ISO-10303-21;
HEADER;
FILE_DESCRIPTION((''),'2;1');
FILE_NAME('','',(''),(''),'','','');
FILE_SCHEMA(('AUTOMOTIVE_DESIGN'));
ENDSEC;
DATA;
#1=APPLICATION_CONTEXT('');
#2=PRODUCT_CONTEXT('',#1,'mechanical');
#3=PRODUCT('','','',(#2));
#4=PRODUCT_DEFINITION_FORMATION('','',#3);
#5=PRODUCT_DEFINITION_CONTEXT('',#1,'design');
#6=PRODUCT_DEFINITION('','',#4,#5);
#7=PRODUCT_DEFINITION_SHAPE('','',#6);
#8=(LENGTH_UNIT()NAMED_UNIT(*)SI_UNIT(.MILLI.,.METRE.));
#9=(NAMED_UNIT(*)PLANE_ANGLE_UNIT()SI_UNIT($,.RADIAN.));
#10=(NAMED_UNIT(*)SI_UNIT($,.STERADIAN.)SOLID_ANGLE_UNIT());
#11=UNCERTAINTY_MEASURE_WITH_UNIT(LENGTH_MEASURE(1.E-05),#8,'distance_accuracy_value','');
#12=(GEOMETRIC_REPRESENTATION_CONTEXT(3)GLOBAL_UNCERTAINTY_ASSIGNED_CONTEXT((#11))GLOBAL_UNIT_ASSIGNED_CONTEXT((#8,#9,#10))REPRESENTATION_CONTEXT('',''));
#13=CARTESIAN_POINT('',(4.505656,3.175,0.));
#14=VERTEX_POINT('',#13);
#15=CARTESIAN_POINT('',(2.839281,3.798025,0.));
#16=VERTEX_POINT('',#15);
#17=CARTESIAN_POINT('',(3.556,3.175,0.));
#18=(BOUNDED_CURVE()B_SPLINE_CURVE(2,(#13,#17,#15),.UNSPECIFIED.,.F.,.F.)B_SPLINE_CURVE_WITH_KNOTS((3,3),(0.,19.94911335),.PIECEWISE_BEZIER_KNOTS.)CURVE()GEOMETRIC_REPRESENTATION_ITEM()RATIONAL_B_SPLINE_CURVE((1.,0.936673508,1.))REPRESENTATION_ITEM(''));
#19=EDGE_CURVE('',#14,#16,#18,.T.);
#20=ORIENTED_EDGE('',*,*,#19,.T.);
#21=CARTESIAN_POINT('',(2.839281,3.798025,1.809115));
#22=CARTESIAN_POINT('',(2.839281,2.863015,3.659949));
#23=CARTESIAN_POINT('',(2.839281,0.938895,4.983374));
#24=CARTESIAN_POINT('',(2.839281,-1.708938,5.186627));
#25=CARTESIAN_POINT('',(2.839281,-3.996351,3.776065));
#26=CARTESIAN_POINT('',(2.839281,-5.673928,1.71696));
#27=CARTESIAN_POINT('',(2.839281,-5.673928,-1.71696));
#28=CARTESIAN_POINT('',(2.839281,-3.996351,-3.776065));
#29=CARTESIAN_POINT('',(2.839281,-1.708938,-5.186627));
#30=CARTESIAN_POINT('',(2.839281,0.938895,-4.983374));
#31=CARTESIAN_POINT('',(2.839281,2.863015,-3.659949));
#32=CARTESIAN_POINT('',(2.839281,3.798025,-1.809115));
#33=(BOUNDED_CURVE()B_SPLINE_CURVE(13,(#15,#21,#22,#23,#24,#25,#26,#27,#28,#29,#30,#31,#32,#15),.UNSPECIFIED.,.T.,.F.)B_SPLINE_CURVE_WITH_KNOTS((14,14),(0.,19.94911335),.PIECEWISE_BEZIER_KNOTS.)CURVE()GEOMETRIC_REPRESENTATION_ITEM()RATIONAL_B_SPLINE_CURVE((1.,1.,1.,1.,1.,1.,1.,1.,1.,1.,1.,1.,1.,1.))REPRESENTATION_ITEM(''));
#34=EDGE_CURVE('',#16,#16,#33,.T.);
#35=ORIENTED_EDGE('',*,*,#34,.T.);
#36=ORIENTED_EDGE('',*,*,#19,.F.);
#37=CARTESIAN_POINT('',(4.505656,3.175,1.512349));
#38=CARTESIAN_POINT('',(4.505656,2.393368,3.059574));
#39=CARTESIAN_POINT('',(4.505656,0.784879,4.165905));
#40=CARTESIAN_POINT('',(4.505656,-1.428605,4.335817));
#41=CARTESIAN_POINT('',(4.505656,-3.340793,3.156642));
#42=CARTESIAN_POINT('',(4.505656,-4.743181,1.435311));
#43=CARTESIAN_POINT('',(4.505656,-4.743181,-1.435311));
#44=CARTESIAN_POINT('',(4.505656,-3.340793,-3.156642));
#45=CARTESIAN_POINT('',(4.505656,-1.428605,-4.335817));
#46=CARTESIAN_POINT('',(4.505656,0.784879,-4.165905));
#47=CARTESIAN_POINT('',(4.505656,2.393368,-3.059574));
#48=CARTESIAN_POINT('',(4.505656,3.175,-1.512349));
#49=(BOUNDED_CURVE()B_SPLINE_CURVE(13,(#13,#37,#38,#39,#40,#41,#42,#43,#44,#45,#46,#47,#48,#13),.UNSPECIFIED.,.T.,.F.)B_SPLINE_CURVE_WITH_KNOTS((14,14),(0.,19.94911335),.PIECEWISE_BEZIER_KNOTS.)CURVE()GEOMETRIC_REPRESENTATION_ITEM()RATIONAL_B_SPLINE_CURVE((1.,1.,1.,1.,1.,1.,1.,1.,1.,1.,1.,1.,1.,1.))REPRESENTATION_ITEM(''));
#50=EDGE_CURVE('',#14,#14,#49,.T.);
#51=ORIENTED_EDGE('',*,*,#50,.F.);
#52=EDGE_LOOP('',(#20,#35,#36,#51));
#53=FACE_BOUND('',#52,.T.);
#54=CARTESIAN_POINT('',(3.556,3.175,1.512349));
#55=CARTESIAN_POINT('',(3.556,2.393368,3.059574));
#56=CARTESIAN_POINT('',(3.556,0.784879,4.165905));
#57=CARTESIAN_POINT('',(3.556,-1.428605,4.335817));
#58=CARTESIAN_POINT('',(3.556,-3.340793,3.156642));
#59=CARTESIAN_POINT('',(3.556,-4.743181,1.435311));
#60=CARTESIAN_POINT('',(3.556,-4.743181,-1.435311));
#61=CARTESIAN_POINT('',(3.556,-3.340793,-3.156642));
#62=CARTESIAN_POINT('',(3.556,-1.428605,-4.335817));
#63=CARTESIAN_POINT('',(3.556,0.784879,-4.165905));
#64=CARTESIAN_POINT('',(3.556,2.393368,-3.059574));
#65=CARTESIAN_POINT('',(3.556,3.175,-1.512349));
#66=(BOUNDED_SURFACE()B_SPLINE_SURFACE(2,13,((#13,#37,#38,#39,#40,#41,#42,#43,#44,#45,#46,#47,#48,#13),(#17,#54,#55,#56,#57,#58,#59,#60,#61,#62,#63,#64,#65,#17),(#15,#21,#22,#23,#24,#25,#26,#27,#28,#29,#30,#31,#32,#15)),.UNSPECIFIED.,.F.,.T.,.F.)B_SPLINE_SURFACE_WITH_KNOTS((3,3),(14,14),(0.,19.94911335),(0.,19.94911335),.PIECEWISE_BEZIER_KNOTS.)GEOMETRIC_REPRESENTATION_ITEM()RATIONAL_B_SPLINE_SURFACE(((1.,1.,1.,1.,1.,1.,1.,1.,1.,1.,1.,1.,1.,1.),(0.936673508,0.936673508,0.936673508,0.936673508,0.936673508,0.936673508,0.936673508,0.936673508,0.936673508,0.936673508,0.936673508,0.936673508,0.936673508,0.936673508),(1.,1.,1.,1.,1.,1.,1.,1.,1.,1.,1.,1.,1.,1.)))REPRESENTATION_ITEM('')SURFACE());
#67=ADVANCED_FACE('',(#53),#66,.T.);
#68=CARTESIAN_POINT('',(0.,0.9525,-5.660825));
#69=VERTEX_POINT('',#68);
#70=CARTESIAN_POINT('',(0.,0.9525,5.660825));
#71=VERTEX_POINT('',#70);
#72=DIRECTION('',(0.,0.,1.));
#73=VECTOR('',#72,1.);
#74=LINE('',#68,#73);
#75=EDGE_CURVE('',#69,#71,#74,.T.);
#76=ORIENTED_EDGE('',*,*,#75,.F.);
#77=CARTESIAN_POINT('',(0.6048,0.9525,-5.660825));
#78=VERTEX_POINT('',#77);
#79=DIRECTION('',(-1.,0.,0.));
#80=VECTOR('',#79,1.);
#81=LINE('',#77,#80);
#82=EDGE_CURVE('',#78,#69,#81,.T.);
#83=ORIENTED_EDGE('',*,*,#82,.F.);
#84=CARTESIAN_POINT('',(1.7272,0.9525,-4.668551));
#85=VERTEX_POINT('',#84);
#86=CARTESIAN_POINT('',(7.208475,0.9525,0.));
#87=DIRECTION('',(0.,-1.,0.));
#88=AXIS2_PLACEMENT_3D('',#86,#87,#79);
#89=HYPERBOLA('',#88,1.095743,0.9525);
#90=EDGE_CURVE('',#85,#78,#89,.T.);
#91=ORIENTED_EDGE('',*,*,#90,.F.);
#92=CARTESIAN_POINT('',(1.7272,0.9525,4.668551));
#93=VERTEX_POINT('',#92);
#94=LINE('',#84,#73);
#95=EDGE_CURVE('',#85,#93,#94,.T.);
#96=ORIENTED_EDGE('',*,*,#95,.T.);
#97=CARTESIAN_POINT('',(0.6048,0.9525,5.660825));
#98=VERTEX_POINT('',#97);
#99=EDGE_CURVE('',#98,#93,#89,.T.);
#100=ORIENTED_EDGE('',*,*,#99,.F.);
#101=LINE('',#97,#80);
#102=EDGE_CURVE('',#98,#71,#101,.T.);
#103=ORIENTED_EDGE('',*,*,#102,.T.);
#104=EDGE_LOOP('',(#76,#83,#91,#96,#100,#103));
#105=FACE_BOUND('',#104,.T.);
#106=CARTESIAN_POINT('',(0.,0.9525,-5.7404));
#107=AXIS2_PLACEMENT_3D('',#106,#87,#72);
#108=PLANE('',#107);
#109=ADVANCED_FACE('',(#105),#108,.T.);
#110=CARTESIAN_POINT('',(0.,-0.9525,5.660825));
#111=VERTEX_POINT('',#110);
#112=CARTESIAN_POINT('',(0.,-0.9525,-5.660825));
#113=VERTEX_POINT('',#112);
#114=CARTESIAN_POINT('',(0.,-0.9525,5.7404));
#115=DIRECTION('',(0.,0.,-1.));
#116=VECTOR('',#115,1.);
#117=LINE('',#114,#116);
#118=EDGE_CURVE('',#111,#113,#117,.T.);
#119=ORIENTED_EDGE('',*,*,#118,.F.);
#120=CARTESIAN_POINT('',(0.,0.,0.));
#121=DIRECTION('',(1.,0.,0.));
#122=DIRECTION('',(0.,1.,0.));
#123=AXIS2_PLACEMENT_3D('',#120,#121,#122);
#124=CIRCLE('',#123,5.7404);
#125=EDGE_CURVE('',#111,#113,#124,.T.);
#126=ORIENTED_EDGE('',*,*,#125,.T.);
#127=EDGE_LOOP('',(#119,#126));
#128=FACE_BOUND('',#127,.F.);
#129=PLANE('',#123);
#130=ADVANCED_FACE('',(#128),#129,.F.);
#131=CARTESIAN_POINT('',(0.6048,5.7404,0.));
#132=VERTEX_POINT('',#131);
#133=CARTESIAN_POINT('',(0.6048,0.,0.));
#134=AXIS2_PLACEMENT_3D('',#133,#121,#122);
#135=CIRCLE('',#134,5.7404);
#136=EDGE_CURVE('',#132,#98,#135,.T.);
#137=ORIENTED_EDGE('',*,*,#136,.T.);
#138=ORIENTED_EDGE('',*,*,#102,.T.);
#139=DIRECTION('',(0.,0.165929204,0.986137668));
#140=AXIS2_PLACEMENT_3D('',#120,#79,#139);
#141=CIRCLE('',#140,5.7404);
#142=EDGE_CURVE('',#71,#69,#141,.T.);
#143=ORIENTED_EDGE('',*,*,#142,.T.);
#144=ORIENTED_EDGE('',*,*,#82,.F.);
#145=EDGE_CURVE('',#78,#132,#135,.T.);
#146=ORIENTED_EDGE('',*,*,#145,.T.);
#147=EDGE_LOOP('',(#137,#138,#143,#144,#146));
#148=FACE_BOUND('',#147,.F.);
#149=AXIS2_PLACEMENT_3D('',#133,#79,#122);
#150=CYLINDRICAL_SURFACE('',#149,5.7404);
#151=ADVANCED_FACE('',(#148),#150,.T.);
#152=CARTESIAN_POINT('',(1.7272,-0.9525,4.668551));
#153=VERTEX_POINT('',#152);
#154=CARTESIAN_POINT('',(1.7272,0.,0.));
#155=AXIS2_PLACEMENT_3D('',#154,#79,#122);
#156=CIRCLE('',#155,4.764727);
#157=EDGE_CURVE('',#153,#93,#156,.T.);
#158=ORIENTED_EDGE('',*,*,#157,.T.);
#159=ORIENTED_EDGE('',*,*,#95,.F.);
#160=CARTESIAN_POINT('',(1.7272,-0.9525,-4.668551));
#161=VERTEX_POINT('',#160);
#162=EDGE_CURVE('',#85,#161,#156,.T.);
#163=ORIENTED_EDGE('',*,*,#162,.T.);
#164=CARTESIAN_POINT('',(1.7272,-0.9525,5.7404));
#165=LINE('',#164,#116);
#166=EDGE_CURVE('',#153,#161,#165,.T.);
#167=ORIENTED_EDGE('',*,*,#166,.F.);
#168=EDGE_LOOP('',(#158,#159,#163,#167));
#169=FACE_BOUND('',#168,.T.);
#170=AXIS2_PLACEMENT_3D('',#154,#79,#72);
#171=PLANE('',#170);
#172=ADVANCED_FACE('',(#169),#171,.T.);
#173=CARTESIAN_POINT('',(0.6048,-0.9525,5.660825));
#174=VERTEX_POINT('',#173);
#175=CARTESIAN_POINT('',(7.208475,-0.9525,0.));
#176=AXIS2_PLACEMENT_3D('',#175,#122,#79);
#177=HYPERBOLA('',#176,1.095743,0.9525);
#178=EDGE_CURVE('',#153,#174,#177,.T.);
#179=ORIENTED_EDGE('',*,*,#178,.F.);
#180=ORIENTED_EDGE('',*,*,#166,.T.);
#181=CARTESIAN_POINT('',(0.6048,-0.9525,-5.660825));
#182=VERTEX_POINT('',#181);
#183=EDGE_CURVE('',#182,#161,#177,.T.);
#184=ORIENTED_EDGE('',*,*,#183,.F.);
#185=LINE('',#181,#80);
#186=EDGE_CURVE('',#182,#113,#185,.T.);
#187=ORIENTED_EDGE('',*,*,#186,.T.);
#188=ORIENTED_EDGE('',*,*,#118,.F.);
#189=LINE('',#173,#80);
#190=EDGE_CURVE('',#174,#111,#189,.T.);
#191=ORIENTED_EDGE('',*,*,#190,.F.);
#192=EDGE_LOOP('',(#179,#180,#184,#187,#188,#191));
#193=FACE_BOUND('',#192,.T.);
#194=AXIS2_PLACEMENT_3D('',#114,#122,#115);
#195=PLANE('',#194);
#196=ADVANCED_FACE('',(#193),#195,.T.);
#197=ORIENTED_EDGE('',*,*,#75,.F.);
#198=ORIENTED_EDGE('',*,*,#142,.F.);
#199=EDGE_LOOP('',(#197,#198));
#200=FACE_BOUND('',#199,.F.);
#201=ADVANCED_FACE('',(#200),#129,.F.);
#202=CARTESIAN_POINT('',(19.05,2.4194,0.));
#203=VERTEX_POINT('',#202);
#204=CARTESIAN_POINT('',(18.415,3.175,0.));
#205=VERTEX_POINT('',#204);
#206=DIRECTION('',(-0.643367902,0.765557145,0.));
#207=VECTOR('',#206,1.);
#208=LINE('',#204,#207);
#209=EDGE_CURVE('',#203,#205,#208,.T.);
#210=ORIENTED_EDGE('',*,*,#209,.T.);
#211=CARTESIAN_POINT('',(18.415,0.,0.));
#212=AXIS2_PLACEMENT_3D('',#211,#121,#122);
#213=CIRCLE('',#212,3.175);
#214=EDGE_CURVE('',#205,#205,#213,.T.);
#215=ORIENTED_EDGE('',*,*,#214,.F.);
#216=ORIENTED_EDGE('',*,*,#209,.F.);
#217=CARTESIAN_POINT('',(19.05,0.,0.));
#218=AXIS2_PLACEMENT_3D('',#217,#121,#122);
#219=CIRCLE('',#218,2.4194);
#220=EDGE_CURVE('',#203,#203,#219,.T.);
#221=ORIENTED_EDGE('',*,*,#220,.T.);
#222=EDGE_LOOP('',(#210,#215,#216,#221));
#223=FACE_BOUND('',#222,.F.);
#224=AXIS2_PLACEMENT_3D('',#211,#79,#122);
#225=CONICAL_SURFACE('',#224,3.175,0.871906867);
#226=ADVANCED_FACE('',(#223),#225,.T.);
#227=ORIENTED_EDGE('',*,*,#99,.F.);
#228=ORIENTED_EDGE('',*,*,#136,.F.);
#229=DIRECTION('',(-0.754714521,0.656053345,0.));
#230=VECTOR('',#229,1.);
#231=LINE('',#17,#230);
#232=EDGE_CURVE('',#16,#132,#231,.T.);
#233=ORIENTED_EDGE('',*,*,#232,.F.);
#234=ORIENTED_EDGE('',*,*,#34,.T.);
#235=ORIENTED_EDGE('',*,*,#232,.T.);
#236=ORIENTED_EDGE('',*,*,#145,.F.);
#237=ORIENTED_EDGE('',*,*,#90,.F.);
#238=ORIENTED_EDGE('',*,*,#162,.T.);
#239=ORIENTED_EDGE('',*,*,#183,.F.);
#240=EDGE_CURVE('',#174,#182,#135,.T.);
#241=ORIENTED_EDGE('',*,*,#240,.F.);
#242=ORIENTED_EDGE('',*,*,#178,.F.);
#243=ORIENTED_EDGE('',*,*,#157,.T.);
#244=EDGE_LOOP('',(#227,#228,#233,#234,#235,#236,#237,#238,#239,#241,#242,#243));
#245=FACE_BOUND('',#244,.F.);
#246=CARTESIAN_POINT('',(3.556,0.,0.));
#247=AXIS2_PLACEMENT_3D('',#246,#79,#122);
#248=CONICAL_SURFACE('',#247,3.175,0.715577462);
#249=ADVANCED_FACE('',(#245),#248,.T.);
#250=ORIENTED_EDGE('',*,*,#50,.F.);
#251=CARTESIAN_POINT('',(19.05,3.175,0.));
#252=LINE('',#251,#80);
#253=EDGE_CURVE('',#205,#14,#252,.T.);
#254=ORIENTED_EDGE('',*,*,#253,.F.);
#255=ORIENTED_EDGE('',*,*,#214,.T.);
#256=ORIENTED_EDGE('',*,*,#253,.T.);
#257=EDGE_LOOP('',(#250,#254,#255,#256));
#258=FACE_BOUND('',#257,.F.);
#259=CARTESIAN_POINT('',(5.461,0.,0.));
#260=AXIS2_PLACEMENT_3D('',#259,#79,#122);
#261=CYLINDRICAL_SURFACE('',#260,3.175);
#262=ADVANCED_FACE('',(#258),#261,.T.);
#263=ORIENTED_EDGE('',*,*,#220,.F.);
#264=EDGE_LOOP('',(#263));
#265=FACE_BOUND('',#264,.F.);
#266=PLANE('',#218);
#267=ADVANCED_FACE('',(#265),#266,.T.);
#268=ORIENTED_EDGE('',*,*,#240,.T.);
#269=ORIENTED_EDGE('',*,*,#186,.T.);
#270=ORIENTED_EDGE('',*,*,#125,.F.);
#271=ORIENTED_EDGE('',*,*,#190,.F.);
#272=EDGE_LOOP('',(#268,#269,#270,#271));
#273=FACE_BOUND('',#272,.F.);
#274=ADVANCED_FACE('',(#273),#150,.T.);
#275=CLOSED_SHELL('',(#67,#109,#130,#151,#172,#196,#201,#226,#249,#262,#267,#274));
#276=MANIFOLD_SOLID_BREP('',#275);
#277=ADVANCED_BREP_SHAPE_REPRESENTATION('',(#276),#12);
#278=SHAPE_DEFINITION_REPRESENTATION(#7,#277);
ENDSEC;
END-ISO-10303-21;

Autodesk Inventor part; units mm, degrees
ref_plane "YZ Plane" through (0, 0, 0) normal (1, 0, 0) x (0, 1, 0)
ref_plane "XZ Plane" through (0, 0, 0) normal (0, 1, 0) x (-1, 0, 0)
sketch "Sketch1" plane through (0, 0, 0) normal (0, 0, 1) x (1, 0, 0)
  line L0 (0, 0) -> (19.05, 0)
  line L1 (19.05, 0) -> (19.05, 3.175)
  line L2 (19.05, 3.175) -> (6.731, 3.175)
  line L3 (6.731, 3.175) -> (5.461, 3.175)
  line L4 (5.461, 3.175) -> (3.556, 3.175)
  line L5 (3.556, 3.175) -> (0.6048, 5.7404)
  line L6 (0.6048, 5.7404) -> (0, 5.7404)
  line L7 (0, 5.7404) -> (0, 0)
  line L8 (6.731, 3.175) -> (3.556, 3.175) construction
  line L9 (-3.81, 0) -> (22.86, 0) projected
  line L10 (0, 6.8885) -> (0, -1.1481) projected
  dimension "d0" = 19.05
  dimension "d1" = 41
  dimension "d2" = 1.27
  dimension "d3" = 12.319
  dimension "d4" = 3.556
  dimension "d5" = 6.35
  dimension "d6" = 6.35
  dimension "d7" = 11.4808
revolve "Body" add sketch "Sketch1" angle 360 about axis through (0, 0, 0) along (1, 0, 0)
sketch "Sketch2" plane through (0, 0, 0) normal (-1, 0, 0) x (0, 0, 1)
  line L0 (5.7404, -0.9525) -> (-5.7404, -0.9525)
  line L1 (-5.7404, -0.9525) -> (-5.7404, 0.9525)
  line L2 (-5.7404, 0.9525) -> (5.7404, 0.9525)
  line L3 (5.7404, 0.9525) -> (5.7404, -0.9525)
  line L4 (0, 0.9525) -> (0, -0.9525) construction
  line L5 (-5.7404, 0) -> (5.7404, 0) construction
  line L6 (0, 5.7404) -> (0, 0) projected
  dimension "d15" = 1.905
  dimension "d16" = 11.4808
extrude "Slot" cut sketch "Sketch2" against normal blind 1.7272
thread "Thread" size "1/4-20 UNC" class "2A" standard "ANSI Unified Screw Threads" length 12.319
chamfer "Chamfer1" distance 0.7556 distance2 0.635 1 edges at (19.05, -3.175, 0) measured on face at (19.05, 0.3445, 0.7363)
fillet "Radius" radius 2.54 1 edges at (3.556, -3.175, 0)
ref_plane "Work Plane1" through (33.575, 0, 0) normal (0, 0, -1) x (1, 0, 0)
equation "\"d0\" = NLG"
equation "\"d1\" = 0.5 * SEWI"
equation "\"d2\" = GAL"
equation "\"d3\" = GEL"
equation "\"d4\" = KOH"
equation "\"d5\" = BDM"
equation "\"d6\" = GD"
equation "\"d7\" = KOD"
equation "\"d15\" = SBR"
equation "\"d16\" = KOD"
equation "\"d8\" = STI"
equation "\"d41\" = RR"
equation "\"d10\" = GEL"
equation "\"d12\" = -0.5 * SPD + 0.5 * GD"
equation "\"d13\" = 0.5 * GAL"
equation "\"NLG\" = 19.05"
equation "\"GAL\" = 1.27"
equation "\"GEL\" = 12.319"
equation "\"KOH\" = 3.556"
equation "\"KOD\" = 11.4808"
equation "\"SEWI\" = 82deg"
equation "\"BDM\" = NND"
equation "\"GD\" = NND"
equation "\"SBR\" = 1.905"
equation "\"STI\" = 1.7272"
equation "\"SPD\" = 4.8387"
equation "\"RR\" = 2.54"
equation "\"GUL\" = 0.75565"
equation "\"TOA\" = 30deg"
equation "\"THREADDIA\" = 6.35"
equation "\"HHPTC\" = 1.27"
equation "\"NND\" = 6.35"
equation "\"GD1\" = SPD"
properties part number "ANSI B18.6.2 - 1/4-20 UNC x 0.75" material "Steel, Mild"
